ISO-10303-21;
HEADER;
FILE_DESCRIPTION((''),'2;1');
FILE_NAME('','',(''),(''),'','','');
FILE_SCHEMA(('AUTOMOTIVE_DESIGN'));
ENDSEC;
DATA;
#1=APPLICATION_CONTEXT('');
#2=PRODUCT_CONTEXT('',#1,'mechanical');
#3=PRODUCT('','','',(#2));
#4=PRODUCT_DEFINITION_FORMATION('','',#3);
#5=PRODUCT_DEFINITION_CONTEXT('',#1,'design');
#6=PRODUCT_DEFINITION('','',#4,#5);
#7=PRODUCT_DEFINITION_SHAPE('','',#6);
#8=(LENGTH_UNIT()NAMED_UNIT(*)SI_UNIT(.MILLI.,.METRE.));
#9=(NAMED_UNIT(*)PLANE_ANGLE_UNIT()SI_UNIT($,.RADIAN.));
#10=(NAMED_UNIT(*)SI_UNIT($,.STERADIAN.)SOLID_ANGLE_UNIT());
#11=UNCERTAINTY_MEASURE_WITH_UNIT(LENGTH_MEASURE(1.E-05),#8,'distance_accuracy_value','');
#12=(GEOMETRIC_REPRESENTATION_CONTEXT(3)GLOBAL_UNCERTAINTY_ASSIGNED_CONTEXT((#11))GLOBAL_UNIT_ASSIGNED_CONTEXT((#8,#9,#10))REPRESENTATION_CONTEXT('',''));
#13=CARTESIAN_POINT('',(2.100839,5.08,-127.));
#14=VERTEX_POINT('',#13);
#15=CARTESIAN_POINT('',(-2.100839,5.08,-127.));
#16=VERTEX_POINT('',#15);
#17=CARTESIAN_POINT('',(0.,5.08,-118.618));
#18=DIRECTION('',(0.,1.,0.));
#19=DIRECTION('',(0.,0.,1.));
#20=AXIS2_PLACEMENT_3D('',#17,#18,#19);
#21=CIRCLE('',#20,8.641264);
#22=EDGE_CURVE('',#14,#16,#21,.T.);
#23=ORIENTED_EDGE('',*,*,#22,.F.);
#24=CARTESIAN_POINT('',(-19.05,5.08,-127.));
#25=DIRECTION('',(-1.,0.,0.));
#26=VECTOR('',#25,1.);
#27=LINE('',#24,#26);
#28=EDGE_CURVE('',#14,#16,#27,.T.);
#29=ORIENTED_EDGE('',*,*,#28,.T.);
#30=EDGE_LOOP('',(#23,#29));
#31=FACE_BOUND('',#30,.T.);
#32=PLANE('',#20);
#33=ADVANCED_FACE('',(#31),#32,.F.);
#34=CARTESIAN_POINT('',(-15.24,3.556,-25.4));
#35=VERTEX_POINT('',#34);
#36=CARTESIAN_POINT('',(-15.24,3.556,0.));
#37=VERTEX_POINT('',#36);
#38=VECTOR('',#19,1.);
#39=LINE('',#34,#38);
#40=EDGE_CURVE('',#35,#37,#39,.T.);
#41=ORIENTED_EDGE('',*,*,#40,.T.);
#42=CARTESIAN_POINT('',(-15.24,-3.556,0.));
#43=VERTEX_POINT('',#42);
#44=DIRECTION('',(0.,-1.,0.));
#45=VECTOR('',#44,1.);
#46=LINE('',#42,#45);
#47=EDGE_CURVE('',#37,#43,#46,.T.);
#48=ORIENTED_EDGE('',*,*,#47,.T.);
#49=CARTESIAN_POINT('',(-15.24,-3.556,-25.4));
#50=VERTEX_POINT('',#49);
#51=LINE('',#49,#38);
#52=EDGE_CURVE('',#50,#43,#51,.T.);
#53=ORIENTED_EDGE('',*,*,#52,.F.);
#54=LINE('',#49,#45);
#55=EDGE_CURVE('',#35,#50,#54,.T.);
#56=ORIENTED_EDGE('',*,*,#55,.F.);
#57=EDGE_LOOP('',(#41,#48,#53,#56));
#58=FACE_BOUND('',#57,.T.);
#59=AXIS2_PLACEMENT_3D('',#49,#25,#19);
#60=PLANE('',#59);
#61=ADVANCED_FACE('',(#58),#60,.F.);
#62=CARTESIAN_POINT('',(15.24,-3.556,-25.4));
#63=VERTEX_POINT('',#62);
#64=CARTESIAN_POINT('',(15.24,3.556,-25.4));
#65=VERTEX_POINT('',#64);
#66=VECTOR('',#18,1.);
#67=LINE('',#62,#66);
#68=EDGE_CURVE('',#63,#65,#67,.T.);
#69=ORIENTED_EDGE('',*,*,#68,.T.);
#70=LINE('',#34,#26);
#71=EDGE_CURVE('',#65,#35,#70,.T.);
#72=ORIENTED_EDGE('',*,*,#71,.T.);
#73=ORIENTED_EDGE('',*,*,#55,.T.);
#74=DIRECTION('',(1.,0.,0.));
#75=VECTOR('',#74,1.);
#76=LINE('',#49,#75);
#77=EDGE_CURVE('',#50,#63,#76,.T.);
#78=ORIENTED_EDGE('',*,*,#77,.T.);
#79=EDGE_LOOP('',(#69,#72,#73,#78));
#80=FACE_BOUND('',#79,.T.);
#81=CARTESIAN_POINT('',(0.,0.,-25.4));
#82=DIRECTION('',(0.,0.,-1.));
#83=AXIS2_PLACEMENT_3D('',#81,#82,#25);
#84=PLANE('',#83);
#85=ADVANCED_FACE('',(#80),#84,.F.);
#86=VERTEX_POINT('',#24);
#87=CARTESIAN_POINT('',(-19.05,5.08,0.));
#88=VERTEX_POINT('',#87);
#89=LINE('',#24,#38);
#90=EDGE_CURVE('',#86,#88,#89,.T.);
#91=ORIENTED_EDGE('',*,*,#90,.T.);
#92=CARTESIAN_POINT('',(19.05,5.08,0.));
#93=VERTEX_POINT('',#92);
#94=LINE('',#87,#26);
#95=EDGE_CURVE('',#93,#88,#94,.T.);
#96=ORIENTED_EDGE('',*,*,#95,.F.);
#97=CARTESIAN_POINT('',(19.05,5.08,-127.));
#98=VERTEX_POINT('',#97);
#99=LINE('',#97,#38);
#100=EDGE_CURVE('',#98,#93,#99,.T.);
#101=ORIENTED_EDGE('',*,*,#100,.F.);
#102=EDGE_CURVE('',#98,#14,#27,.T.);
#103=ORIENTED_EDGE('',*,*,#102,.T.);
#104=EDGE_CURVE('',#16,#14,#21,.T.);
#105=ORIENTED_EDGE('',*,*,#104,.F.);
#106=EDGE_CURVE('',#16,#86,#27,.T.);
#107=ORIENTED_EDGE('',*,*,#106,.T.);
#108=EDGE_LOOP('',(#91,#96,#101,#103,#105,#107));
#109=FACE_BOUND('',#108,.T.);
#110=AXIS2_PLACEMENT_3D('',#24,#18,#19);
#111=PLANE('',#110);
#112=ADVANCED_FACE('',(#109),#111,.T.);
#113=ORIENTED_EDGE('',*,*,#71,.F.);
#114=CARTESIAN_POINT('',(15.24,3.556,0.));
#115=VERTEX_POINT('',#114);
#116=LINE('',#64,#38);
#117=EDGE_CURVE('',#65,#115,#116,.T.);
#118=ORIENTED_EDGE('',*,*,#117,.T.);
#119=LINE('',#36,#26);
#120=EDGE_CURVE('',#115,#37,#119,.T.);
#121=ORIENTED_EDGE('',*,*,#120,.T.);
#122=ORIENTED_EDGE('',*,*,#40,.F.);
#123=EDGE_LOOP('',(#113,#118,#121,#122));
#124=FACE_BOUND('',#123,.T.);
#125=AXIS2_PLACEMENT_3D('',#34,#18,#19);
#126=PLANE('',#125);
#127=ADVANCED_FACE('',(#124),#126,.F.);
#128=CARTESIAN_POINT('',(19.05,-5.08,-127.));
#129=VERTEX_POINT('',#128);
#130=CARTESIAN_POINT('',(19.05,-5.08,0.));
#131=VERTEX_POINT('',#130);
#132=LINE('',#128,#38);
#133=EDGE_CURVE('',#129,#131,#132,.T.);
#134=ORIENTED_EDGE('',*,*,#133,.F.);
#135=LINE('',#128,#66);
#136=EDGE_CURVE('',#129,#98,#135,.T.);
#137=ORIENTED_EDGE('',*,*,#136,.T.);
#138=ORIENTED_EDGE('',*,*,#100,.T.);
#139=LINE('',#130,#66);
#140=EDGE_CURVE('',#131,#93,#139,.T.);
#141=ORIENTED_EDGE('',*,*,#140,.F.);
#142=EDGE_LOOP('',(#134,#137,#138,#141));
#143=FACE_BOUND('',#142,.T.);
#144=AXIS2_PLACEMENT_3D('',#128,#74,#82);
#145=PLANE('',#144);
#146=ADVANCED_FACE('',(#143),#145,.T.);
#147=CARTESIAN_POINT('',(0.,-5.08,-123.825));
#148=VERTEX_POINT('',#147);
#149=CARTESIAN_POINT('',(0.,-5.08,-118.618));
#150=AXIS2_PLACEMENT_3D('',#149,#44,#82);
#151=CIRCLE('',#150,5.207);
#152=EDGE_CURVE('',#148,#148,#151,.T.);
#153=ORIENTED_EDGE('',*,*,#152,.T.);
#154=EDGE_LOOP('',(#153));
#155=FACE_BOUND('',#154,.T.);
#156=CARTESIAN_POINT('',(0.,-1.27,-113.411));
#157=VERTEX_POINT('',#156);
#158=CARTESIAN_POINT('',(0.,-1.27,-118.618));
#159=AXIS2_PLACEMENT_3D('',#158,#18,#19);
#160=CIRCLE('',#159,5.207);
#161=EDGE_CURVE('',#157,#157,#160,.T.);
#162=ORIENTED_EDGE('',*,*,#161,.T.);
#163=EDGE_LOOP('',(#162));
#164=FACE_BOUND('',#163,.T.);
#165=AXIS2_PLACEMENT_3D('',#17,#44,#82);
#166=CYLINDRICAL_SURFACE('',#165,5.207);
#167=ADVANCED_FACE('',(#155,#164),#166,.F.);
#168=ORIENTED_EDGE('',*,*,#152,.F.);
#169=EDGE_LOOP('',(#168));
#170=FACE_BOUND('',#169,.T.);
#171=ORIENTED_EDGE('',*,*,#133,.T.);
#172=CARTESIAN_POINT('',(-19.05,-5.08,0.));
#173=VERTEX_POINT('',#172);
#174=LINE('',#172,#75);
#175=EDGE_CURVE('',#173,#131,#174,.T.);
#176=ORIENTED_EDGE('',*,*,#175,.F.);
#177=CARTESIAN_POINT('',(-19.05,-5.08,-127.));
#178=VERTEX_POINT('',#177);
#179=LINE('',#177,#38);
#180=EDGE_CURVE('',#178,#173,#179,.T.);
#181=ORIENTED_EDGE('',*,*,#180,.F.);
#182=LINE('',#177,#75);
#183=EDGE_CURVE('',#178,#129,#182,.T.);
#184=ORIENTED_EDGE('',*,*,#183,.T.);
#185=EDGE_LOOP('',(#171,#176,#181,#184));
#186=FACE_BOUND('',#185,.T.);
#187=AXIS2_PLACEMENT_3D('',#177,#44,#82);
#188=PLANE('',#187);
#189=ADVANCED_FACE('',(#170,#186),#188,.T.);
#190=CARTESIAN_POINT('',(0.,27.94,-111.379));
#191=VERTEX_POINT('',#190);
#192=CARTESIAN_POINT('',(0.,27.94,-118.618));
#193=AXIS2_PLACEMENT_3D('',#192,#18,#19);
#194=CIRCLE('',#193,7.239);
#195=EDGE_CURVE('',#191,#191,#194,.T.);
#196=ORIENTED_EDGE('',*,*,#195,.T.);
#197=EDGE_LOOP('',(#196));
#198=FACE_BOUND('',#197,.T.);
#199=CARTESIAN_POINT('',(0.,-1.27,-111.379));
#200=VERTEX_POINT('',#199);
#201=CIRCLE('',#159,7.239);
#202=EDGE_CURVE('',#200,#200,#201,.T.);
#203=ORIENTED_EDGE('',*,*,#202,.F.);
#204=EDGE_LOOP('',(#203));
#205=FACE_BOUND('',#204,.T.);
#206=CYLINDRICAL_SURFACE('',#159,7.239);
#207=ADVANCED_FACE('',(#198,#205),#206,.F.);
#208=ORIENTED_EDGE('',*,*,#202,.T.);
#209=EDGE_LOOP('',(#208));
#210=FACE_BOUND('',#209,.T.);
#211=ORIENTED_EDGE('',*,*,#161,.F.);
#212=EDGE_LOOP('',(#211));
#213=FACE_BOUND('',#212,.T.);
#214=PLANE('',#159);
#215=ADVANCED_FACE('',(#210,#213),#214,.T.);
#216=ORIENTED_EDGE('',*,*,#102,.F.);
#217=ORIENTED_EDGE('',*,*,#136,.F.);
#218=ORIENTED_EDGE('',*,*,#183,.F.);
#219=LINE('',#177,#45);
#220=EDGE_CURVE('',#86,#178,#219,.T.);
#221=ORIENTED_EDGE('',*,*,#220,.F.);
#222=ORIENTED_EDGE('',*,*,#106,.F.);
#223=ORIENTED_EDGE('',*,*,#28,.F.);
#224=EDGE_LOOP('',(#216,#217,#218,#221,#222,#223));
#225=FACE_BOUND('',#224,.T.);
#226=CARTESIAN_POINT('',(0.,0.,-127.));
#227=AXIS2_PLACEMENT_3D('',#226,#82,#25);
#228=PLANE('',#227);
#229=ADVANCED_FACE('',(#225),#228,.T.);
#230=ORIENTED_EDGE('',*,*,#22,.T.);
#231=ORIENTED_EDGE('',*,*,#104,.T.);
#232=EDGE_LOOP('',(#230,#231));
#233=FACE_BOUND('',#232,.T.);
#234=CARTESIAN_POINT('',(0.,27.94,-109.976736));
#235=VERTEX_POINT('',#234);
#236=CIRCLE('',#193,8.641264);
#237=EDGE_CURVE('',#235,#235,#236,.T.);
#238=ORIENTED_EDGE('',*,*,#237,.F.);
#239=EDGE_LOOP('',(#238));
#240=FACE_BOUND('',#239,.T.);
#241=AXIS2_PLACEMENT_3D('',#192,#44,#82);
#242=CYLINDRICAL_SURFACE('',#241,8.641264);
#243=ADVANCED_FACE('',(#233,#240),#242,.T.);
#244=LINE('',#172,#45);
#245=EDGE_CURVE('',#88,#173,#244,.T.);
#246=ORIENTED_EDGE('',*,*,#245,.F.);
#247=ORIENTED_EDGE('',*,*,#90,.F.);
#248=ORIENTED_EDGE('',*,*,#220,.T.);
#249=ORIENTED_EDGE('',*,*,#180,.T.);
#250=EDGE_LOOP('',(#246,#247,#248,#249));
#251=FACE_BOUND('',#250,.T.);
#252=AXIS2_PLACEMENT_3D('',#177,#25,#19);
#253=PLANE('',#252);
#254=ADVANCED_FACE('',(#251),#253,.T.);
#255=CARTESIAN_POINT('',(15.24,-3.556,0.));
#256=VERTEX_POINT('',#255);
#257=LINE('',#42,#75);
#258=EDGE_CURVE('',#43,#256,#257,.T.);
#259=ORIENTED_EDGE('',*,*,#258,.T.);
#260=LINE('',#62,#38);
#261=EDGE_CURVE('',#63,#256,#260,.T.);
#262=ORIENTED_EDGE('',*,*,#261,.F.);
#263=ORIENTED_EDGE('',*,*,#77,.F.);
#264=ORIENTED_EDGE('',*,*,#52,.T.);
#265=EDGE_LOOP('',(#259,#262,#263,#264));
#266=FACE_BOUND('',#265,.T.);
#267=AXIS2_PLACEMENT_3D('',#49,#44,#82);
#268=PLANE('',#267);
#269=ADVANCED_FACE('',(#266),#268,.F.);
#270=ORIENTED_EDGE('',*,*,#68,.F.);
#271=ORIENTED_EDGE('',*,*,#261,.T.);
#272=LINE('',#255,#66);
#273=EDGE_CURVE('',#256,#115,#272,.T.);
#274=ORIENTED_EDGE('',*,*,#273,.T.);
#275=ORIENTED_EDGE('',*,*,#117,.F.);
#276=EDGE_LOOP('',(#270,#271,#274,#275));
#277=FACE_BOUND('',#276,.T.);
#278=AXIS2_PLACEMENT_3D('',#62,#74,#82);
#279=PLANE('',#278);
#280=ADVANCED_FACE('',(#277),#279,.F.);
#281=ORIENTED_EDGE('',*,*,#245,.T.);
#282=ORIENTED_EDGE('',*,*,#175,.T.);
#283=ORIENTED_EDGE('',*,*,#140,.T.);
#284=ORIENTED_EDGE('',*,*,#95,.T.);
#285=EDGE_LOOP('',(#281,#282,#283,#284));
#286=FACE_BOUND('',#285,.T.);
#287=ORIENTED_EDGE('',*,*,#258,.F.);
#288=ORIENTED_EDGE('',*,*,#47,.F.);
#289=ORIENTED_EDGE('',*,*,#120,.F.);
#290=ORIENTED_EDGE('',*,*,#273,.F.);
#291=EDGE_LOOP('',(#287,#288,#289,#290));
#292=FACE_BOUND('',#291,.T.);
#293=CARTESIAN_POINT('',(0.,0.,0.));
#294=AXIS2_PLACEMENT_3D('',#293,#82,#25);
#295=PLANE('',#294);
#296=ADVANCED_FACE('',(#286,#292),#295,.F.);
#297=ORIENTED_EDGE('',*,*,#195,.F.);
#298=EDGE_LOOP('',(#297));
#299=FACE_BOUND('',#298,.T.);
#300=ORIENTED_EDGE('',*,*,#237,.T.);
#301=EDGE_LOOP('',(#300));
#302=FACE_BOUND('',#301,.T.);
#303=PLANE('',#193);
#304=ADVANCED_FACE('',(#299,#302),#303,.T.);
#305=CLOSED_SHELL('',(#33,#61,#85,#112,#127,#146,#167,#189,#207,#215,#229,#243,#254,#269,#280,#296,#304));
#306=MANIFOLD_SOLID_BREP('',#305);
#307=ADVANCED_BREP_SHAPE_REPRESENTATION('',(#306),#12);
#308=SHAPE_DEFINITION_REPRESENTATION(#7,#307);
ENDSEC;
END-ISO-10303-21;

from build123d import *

# Parameters (mm, degrees)
SKETCH1_W           = 38.1
SKETCH1_H           = 10.16
BOSS_EXTRUDE1_DEPTH = 127
SKETCH2_W           = 30.48
SKETCH2_H           = 7.112
CUT_EXTRUDE1_DEPTH  = 25.4
SKETCH3_R           = 7.239
CUT_EXTRUDE2_DEPTH  = 6.35
SKETCH4_R           = 5.207
CUT_EXTRUDE3_DEPTH  = 11.16
SKETCH5_R           = 8.641264269
BOSS_EXTRUDE2_DEPTH = 22.86
SKETCH6_R           = 7.239
CUT_EXTRUDE5_DEPTH  = 22.86


with BuildPart() as part:
    # Sketch1 → Boss-Extrude1 (new body)
    with BuildSketch(Plane.XY):
        Rectangle(SKETCH1_W, SKETCH1_H)
    extrude(amount=-BOSS_EXTRUDE1_DEPTH)

    # Sketch2 → Cut-Extrude1 (cut)
    with BuildSketch(Plane.XY):
        Rectangle(SKETCH2_W, SKETCH2_H)
    extrude(amount=-CUT_EXTRUDE1_DEPTH, mode=Mode.SUBTRACT)

    # Sketch3 → Cut-Extrude2 (cut)
    with BuildSketch(Plane(origin=(0, 5.08, 0), x_dir=(1, 0, 0), z_dir=(0, 1, 0))):
        with Locations((0, 118.618)):
            Circle(SKETCH3_R)
    extrude(amount=-CUT_EXTRUDE2_DEPTH, mode=Mode.SUBTRACT)

    # Sketch4 → Cut-Extrude3 (cut, through all)
    with BuildSketch(Plane.XZ.offset(5.08)):
        with Locations((0, -118.618)):
            Circle(SKETCH4_R)
    extrude(amount=-CUT_EXTRUDE3_DEPTH, mode=Mode.SUBTRACT)

    # Sketch5 → Boss-Extrude2 (add)
    with BuildSketch(Plane(origin=(0, 5.08, 0), x_dir=(1, 0, 0), z_dir=(0, 1, 0))):
        with Locations((0, 118.618)):
            Circle(SKETCH5_R)
    extrude(amount=BOSS_EXTRUDE2_DEPTH)

    # Sketch6 → Cut-Extrude5 (cut)
    with BuildSketch(Plane(origin=(0, 27.94, 0), x_dir=(1, 0, 0), z_dir=(0, 1, 0))):
        with Locations((0, 118.618)):
            Circle(SKETCH6_R)
    extrude(amount=-CUT_EXTRUDE5_DEPTH, mode=Mode.SUBTRACT)


solid = part.part
